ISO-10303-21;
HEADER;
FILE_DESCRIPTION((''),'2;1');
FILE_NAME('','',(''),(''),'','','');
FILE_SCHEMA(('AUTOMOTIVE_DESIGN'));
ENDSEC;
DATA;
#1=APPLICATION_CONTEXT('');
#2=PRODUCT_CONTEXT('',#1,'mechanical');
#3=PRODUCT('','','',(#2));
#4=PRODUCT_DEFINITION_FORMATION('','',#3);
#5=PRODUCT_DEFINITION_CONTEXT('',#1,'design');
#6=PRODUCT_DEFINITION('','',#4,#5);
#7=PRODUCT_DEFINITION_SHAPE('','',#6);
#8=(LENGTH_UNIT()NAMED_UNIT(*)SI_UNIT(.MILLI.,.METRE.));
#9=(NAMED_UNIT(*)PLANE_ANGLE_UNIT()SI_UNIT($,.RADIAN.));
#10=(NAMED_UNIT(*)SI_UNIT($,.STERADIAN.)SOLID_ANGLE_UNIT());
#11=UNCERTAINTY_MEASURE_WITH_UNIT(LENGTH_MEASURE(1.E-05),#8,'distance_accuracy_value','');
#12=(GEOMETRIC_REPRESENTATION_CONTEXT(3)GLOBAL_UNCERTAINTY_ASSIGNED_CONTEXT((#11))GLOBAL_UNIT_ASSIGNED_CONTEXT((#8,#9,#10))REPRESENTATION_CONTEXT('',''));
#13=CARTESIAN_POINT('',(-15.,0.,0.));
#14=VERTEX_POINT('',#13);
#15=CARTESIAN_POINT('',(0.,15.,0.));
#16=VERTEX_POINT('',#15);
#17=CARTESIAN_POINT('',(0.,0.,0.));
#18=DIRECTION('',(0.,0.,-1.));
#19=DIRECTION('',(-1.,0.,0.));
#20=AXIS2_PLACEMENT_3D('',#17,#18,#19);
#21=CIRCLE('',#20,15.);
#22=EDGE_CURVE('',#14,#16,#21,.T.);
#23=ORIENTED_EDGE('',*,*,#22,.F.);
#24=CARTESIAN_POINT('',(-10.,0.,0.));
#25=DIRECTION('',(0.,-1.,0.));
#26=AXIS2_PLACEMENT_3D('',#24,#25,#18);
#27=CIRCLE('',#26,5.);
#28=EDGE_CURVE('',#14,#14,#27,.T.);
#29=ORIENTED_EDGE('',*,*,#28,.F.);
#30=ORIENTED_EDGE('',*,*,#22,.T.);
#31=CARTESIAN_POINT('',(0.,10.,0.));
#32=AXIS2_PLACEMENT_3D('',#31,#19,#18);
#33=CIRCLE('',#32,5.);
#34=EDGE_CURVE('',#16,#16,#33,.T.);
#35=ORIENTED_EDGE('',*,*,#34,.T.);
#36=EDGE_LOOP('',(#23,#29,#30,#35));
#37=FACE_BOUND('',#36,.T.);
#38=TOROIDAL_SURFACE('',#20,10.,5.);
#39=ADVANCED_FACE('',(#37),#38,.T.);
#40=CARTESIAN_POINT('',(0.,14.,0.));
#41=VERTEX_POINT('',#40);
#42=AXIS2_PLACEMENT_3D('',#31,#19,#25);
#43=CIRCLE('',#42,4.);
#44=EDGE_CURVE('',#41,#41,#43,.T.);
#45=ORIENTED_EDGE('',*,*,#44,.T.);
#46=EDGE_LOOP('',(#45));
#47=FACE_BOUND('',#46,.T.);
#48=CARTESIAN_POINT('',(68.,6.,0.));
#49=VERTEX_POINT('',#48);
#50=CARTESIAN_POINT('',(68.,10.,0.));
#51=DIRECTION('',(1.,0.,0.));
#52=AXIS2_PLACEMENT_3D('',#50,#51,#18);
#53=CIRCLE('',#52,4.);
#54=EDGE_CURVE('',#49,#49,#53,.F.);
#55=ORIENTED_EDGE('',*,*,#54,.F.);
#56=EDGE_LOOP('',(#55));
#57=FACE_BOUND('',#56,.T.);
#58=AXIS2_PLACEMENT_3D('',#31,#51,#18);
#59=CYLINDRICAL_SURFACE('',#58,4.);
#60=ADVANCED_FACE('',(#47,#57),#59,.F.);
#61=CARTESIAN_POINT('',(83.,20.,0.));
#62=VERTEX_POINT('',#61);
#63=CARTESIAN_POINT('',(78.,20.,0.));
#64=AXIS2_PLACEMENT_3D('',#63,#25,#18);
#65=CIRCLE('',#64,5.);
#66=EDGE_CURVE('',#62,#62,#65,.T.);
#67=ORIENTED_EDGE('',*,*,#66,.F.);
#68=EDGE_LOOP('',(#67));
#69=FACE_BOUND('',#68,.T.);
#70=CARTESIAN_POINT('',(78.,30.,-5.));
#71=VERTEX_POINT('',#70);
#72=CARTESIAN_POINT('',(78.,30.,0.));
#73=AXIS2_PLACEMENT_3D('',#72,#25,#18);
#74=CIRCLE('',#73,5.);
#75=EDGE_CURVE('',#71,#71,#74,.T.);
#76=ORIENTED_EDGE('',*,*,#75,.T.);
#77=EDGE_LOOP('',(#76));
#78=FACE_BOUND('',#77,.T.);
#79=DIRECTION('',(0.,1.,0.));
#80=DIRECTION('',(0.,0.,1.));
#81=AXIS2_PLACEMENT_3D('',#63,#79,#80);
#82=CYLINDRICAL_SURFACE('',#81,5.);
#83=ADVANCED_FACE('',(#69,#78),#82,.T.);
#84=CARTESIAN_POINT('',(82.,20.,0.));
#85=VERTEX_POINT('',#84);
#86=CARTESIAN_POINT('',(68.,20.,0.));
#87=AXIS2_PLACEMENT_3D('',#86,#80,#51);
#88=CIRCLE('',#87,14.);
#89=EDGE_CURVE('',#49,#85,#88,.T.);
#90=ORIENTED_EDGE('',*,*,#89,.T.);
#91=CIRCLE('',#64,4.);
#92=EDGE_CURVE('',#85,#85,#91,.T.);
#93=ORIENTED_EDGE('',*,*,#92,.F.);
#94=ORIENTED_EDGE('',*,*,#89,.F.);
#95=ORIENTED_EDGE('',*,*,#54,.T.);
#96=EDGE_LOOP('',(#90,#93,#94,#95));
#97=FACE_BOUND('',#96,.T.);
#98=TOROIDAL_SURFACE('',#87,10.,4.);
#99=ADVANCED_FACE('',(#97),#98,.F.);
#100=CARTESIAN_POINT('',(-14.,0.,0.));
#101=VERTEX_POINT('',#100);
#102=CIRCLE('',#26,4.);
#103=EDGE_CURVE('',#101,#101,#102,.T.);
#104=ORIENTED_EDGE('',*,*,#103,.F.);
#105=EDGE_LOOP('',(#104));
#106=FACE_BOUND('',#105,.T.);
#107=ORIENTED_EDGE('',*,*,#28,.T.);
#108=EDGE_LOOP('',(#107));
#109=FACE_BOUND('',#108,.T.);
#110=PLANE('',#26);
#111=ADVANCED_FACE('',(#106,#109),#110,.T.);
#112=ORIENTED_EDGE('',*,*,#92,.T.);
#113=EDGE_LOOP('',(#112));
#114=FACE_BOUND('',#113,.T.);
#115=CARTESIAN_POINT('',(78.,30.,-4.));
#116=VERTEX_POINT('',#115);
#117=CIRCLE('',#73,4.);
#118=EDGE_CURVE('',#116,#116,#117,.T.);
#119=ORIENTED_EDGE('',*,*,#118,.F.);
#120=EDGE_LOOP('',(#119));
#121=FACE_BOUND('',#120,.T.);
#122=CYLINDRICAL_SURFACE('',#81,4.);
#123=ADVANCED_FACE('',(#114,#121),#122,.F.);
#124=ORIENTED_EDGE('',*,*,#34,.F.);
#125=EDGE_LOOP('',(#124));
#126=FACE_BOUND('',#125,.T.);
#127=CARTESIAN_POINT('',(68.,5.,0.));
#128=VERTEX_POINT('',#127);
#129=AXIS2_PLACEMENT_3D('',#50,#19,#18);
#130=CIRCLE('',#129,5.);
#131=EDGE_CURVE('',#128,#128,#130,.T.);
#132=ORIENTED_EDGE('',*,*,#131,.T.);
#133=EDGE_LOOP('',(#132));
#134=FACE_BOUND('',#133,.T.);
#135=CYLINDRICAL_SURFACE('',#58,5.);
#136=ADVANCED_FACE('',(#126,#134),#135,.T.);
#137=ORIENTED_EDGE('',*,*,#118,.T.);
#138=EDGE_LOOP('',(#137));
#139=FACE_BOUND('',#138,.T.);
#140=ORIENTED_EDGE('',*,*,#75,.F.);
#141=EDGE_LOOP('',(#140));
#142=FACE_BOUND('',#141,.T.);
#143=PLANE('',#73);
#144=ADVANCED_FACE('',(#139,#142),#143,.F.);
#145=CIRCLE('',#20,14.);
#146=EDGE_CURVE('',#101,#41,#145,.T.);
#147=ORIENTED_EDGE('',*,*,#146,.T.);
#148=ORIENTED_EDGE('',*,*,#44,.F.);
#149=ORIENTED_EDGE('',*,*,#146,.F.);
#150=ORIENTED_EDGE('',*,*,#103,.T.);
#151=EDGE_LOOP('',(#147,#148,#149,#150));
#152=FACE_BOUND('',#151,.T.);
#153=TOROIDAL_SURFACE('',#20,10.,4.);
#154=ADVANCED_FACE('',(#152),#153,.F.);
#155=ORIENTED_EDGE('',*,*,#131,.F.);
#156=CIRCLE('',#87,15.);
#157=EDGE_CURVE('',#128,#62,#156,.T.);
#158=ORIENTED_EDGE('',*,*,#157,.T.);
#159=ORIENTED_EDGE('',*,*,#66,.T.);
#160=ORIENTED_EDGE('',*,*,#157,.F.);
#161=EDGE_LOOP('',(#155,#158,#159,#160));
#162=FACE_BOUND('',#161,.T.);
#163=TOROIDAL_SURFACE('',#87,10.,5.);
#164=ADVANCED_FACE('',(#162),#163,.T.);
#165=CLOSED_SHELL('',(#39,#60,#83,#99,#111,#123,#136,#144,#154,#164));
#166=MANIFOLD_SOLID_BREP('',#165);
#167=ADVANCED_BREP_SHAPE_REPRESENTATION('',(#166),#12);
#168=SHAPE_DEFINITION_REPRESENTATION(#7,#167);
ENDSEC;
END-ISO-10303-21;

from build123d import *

# Parameters (mm, degrees)
SWEEP_1_PROFILE_R   = 5
SWEEP_1_PROFILE_R_2 = 4


with BuildPart() as part:
    # 扫描-薄件1: sweep along a path in 草图1
    with BuildLine(Plane.XY) as sweep_1_path:
        Line((78, 30), (78, 20))
        ThreePointArc((78, 20), (75.071067812, 12.928932188), (68, 10))
        Line((68, 10), (0, 10))
        ThreePointArc((0, 10), (-7.071067812, 7.071067812), (-10, 0))
    # 扫描-薄件1 profile (on start of the path) → 扫描-薄件1 (sweep)
    with BuildSketch(Plane(origin=(78, 30, 0), x_dir=(0, 0, -1), z_dir=(0, -1, 0))):
        Circle(SWEEP_1_PROFILE_R)
        Circle(SWEEP_1_PROFILE_R_2, mode=Mode.SUBTRACT)
    sweep(path=sweep_1_path.line)


solid = part.part
